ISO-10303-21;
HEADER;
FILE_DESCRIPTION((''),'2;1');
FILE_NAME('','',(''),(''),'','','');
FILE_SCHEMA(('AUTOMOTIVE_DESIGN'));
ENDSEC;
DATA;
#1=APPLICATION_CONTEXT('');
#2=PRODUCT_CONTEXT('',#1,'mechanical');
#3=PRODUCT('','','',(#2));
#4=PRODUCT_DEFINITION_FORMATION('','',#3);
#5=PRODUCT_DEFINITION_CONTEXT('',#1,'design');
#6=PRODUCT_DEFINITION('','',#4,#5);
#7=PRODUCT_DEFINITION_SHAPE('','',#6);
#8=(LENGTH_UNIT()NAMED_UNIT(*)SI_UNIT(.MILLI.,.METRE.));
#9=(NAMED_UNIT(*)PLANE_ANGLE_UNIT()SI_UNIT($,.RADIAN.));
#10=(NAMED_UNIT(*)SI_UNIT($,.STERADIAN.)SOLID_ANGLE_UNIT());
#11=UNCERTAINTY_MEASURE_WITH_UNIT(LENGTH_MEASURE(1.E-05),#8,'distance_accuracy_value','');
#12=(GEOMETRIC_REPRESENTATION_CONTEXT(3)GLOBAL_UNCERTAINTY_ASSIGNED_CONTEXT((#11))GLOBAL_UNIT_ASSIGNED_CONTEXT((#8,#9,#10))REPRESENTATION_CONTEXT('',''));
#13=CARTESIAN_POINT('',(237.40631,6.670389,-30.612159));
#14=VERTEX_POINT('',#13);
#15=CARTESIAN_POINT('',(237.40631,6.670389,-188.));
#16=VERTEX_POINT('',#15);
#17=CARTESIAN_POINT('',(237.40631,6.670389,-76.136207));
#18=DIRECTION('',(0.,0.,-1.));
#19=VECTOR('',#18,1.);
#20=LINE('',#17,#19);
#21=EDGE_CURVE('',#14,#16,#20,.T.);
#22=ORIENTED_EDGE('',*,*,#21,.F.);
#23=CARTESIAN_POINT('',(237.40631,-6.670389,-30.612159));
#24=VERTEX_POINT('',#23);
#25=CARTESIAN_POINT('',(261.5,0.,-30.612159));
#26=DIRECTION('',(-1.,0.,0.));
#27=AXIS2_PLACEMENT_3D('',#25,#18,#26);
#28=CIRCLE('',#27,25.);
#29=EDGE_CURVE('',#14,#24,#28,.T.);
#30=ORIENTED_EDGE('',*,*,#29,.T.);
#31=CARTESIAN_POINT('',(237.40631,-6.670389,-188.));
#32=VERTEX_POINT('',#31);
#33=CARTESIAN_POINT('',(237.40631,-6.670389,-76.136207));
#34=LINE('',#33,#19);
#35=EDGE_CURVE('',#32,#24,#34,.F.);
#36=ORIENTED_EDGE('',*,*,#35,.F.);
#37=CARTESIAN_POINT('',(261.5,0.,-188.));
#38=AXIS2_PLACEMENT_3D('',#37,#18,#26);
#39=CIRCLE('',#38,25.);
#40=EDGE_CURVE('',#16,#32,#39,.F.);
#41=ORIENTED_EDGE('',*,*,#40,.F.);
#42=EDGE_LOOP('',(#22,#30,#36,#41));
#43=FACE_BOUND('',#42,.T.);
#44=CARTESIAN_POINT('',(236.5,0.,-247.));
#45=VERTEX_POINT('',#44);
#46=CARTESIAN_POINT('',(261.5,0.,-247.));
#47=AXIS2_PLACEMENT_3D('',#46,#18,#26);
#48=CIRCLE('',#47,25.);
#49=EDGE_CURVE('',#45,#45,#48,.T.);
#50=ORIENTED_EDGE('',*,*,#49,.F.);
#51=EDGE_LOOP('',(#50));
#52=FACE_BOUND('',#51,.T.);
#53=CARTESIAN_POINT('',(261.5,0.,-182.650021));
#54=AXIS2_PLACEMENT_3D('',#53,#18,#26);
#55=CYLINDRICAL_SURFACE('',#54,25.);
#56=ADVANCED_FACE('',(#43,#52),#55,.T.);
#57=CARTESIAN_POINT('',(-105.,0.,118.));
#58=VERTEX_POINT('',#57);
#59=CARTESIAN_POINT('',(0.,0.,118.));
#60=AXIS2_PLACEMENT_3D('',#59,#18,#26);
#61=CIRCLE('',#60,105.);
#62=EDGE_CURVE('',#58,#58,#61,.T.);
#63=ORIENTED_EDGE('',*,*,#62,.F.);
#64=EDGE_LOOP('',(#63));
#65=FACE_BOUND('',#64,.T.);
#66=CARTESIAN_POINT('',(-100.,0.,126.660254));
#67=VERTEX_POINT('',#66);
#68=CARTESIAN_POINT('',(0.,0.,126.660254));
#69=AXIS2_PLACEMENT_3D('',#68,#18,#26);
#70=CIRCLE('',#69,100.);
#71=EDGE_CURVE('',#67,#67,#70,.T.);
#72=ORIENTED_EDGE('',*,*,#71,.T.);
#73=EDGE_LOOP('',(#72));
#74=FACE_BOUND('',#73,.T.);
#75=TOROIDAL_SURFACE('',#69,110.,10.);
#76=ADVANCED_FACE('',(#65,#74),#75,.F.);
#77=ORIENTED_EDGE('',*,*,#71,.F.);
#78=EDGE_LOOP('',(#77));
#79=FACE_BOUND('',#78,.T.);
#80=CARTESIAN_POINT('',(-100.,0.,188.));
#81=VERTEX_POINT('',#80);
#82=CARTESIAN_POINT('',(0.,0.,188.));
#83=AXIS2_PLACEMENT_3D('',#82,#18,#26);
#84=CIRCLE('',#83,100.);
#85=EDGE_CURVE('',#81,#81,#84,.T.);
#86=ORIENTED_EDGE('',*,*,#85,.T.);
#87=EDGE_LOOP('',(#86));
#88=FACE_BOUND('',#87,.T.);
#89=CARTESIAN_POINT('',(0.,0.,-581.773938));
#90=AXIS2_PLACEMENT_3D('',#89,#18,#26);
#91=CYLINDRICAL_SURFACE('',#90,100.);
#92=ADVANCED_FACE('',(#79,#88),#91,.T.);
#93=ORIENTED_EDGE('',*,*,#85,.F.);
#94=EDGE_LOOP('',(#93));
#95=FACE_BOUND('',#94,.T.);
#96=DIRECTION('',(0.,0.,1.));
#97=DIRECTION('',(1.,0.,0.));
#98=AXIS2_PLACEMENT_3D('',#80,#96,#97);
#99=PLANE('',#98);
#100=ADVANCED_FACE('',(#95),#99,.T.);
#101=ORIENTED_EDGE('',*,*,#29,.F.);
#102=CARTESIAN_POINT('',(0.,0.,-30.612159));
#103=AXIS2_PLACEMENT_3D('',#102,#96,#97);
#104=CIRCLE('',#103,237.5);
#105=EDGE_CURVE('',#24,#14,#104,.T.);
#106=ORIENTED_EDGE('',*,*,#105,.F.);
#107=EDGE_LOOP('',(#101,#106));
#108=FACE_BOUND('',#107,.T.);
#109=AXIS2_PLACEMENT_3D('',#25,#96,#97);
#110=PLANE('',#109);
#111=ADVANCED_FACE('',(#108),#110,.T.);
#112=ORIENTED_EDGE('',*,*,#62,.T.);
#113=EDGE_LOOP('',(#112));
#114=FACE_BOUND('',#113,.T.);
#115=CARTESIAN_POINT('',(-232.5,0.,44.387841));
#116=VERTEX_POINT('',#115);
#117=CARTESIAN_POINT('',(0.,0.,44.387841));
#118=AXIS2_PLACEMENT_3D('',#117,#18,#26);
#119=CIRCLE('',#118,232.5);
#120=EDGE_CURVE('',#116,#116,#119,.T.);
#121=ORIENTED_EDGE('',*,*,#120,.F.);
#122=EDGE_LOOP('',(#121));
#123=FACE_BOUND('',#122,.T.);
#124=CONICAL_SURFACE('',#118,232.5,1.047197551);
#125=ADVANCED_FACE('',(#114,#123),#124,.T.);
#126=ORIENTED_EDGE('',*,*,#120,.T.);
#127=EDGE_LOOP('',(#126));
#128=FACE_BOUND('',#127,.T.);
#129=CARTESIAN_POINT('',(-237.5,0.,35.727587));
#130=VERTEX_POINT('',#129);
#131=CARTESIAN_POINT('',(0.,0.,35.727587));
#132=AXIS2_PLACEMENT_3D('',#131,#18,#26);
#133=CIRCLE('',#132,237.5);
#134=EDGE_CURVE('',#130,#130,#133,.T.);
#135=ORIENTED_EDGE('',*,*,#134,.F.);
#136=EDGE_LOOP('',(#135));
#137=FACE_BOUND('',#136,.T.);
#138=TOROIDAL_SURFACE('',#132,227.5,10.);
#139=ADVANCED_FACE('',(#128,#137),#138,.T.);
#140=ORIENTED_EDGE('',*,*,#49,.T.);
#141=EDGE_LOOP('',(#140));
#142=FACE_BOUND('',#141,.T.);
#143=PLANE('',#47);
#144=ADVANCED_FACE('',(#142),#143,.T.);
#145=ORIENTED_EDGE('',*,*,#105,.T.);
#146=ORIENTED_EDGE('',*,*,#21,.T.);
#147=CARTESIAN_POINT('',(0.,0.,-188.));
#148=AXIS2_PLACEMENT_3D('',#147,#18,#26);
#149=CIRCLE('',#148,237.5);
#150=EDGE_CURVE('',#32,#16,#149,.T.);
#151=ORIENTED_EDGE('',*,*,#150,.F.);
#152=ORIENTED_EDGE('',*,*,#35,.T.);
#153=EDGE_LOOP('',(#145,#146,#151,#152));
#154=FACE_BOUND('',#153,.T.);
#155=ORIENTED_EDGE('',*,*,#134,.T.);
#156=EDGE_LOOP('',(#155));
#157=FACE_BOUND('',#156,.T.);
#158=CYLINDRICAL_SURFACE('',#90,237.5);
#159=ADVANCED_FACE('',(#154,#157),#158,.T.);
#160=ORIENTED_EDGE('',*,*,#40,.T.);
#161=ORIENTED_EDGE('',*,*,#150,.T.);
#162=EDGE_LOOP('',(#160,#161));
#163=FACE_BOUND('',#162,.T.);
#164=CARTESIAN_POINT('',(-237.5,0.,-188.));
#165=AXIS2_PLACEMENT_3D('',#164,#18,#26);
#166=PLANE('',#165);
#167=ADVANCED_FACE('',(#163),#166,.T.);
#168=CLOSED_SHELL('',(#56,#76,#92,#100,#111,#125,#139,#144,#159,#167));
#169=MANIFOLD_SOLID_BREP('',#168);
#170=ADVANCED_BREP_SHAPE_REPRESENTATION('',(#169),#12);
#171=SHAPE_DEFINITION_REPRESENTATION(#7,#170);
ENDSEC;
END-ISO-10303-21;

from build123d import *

# Parameters (mm, degrees)
SKETCH3_W = 25
SKETCH3_H = 216.387840678


with BuildPart() as part:
    # Sketch2 → Revolve1 (revolve)
    with BuildSketch(Plane(origin=(0, 0, 0), x_dir=(1, 0, 0), z_dir=(0, 1, 0))):
        with BuildLine():
            Line((-232.5, -44.387840678), (-105, -118))
            ThreePointArc((-105, -118), (-101.339745962, -121.660254038), (-100, -126.660254038))
            Line((-100, -126.660254038), (-100, -188))
            Line((-100, -188), (0, -188))
            Line((0, -188), (0, 188))
            Line((0, 188), (-237.5, 188))
            Line((-237.5, 188), (-237.5, -35.72758664))
            ThreePointArc((-237.5, -35.72758664), (-236.160254038, -40.72758664), (-232.5, -44.387840678))
        make_face()
    revolve(axis=Axis((0, 0, -581.773938456), (0, 0, 1)))


with BuildPart() as body_2:
    # Sketch3 → Revolve2 (revolve)
    with BuildSketch(Plane(origin=(0, 0, 0), x_dir=(1, 0, 0), z_dir=(0, 1, 0))):
        with Locations((249, 138.806079661)):
            Rectangle(SKETCH3_W, SKETCH3_H)
    revolve(axis=Axis((261.5, 0, -182.650020504), (0, 0, 1)))

    # Combine3: union part
    add(part.part)


solid = body_2.part
